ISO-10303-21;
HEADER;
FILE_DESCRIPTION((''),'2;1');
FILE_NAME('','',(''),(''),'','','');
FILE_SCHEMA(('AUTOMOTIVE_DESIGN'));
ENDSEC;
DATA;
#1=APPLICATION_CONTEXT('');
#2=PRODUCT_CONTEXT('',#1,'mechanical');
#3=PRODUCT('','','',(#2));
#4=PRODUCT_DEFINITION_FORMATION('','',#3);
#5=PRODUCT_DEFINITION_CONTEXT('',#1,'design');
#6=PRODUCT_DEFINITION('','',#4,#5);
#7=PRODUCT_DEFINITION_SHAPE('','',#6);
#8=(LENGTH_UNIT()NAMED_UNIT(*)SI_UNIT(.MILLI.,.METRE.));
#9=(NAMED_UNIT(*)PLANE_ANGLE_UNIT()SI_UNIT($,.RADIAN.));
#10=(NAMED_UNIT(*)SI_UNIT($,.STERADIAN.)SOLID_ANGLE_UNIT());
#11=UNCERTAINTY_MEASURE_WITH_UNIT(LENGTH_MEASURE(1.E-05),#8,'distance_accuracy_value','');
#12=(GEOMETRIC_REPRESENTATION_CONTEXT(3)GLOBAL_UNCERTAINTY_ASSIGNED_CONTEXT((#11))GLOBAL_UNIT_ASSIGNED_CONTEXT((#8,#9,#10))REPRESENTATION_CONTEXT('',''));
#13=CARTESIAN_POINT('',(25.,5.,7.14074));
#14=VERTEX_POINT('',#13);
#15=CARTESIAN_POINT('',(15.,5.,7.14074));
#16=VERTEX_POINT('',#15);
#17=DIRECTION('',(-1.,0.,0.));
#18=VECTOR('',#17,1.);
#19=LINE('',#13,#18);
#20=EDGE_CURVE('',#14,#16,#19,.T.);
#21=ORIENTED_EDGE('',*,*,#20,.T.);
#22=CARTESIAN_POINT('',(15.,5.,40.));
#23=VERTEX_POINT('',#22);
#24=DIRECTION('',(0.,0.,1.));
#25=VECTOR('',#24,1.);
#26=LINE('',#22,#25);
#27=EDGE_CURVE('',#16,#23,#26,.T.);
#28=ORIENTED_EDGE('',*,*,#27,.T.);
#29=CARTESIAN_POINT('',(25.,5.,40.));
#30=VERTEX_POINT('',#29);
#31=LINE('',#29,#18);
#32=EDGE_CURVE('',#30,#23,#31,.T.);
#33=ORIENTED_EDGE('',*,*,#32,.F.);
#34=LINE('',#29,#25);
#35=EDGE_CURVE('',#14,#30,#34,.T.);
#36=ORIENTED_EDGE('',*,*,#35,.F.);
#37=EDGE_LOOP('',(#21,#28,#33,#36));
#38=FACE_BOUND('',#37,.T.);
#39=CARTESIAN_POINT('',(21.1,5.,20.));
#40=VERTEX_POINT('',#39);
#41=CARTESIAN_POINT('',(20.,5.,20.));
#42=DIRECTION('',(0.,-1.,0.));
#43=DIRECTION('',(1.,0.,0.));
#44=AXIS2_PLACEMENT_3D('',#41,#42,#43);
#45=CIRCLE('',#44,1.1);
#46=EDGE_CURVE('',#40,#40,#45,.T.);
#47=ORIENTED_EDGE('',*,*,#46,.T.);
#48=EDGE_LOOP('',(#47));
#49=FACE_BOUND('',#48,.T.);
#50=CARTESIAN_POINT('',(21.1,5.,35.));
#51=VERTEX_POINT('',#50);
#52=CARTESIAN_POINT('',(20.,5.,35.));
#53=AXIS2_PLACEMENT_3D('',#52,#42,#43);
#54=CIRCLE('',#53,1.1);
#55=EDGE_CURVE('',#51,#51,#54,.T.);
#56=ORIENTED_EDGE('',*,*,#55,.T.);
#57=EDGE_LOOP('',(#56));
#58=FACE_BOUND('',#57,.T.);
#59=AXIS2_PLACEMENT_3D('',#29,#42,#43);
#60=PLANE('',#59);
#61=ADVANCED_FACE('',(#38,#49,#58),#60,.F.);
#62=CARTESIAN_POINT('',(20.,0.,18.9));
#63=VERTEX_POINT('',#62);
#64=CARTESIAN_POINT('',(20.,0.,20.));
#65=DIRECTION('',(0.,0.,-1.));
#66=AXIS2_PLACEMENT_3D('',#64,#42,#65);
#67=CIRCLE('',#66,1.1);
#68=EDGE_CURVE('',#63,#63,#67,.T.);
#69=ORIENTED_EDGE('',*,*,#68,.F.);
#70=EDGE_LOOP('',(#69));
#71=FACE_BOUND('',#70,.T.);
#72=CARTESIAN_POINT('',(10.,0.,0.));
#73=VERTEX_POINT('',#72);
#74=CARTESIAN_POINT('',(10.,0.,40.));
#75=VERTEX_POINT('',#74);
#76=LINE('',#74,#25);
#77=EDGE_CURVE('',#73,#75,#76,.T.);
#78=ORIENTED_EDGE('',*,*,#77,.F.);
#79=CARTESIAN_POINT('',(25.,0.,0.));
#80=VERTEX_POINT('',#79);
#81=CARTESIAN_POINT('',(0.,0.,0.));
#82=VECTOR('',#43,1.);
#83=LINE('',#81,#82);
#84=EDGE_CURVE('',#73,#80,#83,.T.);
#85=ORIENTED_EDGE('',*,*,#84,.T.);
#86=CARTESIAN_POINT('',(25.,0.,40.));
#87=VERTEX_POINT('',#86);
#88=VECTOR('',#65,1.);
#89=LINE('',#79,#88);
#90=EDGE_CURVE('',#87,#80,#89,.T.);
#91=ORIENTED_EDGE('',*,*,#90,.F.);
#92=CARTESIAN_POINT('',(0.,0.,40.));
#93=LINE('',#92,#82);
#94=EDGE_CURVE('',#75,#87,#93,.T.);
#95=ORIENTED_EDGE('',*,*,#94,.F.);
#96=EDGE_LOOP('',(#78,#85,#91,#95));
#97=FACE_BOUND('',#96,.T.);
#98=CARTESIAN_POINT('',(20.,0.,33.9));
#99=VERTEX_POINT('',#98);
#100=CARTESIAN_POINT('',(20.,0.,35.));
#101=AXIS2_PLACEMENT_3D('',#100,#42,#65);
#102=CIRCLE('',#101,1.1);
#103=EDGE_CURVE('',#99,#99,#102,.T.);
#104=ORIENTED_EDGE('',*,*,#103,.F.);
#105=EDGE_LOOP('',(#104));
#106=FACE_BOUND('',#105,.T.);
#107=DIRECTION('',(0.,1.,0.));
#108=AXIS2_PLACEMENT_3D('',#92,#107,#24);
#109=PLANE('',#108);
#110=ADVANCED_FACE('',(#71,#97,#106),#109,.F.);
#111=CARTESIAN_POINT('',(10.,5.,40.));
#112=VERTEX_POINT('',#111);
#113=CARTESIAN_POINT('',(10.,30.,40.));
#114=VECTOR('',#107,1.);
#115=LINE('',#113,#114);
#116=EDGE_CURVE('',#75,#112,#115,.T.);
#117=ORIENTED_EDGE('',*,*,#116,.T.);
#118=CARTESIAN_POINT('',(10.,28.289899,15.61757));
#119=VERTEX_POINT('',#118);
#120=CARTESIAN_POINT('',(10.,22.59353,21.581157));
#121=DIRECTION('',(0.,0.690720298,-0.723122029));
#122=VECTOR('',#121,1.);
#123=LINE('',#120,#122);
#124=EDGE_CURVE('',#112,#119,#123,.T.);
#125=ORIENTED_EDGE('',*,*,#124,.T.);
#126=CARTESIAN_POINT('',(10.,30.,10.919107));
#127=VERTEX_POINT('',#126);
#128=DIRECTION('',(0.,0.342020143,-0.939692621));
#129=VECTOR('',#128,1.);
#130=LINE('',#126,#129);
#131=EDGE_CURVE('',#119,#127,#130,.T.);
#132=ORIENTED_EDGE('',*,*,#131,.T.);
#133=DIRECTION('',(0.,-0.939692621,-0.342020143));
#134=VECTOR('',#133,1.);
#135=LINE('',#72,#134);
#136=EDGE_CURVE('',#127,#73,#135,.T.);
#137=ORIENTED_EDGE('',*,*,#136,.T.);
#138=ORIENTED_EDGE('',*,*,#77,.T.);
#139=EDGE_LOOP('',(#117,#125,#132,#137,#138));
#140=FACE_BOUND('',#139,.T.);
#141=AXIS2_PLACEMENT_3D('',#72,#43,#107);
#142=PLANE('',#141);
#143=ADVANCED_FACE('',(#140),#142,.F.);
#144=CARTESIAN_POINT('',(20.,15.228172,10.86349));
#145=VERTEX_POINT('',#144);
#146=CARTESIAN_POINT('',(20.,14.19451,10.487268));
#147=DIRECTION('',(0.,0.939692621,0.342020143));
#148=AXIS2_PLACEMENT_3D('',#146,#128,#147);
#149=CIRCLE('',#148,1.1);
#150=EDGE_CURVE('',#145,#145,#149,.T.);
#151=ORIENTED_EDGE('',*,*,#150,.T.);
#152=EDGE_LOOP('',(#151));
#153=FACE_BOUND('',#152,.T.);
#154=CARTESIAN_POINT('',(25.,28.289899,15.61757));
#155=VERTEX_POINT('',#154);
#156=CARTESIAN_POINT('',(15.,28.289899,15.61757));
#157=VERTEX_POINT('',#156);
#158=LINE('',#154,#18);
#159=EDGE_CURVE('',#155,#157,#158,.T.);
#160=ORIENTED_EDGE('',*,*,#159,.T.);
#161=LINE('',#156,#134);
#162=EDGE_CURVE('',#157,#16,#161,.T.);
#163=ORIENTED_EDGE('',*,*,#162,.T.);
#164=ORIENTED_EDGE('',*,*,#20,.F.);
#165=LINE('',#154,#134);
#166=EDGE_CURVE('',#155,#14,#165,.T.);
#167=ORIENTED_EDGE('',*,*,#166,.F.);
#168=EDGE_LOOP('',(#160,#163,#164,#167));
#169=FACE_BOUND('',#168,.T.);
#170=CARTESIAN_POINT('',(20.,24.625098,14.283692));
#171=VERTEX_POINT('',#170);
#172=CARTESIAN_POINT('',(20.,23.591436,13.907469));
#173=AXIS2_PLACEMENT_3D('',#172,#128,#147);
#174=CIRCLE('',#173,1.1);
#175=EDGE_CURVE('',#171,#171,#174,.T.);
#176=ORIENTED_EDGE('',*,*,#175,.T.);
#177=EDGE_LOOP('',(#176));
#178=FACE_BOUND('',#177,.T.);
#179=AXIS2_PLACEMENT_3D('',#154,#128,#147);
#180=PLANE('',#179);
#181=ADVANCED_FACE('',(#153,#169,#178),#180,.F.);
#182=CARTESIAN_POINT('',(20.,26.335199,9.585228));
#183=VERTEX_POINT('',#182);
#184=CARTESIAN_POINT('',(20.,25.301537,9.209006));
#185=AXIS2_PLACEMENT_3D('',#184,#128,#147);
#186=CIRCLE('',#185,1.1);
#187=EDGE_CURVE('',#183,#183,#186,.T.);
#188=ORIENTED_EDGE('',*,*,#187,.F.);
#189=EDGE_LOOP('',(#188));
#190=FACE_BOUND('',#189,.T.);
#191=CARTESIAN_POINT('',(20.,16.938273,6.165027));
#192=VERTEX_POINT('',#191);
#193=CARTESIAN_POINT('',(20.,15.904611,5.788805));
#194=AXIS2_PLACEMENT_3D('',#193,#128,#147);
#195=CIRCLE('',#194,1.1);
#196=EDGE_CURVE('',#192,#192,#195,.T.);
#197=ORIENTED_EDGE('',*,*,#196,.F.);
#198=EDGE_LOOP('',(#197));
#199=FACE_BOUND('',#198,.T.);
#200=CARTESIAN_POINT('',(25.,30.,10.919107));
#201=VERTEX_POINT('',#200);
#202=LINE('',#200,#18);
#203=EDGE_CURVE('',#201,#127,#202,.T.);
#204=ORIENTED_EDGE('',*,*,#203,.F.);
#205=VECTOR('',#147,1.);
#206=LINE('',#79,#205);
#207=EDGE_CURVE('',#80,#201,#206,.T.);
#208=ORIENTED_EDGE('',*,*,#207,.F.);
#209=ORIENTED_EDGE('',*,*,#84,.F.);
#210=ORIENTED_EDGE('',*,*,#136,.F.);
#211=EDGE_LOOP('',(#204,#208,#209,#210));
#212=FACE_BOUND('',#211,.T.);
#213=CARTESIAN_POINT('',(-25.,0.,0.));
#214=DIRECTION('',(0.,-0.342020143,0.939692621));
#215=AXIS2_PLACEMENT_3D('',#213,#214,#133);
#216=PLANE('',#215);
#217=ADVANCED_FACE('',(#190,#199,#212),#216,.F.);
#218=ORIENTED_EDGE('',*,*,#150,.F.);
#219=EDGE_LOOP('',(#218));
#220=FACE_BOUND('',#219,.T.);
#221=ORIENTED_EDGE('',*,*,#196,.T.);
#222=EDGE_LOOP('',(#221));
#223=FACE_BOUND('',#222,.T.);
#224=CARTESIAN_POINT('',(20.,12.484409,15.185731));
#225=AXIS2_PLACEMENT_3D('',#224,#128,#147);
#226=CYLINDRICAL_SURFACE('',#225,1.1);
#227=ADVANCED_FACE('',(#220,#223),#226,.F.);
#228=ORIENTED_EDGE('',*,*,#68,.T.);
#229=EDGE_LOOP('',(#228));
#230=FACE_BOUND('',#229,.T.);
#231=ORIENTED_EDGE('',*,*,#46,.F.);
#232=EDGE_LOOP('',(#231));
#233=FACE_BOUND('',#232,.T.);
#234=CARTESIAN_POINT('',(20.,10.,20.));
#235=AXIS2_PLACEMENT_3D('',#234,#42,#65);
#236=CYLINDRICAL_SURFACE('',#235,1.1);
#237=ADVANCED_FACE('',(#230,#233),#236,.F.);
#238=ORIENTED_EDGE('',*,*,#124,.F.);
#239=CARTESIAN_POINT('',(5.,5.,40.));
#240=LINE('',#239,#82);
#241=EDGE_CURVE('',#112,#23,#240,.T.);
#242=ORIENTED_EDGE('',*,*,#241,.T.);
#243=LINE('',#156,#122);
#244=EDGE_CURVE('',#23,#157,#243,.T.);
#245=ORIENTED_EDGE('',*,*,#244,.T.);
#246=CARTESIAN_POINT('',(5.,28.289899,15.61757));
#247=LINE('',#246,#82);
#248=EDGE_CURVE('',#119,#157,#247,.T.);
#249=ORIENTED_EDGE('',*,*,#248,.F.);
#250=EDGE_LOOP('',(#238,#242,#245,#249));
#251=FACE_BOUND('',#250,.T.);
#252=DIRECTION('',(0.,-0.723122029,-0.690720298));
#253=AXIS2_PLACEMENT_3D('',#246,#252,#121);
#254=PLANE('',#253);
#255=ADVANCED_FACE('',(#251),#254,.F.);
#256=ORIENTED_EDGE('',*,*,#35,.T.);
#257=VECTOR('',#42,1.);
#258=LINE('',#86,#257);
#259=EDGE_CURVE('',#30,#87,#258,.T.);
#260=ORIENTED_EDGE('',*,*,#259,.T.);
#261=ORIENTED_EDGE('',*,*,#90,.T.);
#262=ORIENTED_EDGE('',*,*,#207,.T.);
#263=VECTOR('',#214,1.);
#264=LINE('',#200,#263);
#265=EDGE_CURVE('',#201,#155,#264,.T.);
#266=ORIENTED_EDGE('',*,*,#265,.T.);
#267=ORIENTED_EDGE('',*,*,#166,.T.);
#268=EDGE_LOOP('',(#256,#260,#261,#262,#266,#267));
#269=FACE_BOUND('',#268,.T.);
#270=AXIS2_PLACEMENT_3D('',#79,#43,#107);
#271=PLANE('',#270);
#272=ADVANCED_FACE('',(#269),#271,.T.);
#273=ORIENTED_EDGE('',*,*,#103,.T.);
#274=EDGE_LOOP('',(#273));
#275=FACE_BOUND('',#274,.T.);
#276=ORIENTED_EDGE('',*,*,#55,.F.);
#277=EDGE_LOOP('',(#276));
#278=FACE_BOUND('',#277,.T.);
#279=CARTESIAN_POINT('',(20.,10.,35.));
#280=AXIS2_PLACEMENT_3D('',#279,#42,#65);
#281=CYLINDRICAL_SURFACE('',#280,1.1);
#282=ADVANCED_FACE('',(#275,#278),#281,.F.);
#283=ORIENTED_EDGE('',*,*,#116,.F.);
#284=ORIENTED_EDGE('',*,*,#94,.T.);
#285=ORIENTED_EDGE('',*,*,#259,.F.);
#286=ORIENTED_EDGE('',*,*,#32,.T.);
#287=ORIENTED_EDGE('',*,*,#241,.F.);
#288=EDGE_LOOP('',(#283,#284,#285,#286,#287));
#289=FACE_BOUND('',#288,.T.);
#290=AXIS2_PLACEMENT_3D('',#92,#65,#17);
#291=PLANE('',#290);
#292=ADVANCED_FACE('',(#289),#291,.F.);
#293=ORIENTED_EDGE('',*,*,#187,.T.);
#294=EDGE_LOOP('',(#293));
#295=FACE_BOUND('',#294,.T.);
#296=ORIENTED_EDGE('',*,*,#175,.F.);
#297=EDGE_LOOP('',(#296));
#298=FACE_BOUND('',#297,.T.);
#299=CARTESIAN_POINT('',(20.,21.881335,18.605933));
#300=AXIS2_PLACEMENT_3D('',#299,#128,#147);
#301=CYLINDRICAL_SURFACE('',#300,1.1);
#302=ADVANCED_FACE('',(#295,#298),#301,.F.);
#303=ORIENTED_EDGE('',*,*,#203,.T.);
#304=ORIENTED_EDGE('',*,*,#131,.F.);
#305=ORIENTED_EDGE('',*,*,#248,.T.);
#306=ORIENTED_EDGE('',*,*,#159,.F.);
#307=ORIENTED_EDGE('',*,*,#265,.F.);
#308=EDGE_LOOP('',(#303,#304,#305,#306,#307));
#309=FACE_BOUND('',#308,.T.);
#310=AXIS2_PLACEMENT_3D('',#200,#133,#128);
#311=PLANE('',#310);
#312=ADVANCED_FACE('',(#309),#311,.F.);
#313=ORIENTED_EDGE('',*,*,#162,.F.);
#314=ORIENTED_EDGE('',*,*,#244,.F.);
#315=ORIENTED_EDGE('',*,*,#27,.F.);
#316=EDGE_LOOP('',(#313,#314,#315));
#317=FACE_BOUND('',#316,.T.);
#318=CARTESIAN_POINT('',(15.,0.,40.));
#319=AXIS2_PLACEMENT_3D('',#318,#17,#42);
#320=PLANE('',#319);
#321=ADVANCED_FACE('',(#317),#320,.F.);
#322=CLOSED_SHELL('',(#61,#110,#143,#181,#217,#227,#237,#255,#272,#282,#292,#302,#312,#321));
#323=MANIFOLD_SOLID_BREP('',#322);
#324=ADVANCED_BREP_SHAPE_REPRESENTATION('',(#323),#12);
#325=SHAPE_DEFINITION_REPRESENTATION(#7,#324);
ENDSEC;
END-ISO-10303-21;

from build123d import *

# Parameters (mm, degrees)
SKETCH1_W           = 15
SKETCH1_H           = 30
BOSS_EXTRUDE1_DEPTH = 40
CUT_EXTRUDE1_DEPTH  = 40
BOSS_EXTRUDE2_DEPTH = 10
CUT_EXTRUDE2_DEPTH  = 10
CUT_EXTRUDE3_DEPTH  = 10
SKETCH7_R           = 1.1
CUT_EXTRUDE4_DEPTH  = 10
SKETCH8_R           = 1.1
CUT_EXTRUDE5_DEPTH  = 10


with BuildPart() as part:
    # Sketch1 → Boss-Extrude1 (new body)
    with BuildSketch(Plane.XY):
        with Locations((7.5, 15)):
            Rectangle(SKETCH1_W, SKETCH1_H)
    extrude(amount=BOSS_EXTRUDE1_DEPTH)

    # Sketch2 → Cut-Extrude1 (cut)
    with BuildSketch(Plane(origin=(15, 0, 0), x_dir=(0, 0, -1), z_dir=(1, 0, 0))):
        Polygon((0, 0), (-10.919107028, 30), (0, 30), align=None)
    extrude(amount=-CUT_EXTRUDE1_DEPTH, mode=Mode.SUBTRACT)

    # Sketch3 → Boss-Extrude2 (add)
    with BuildSketch(Plane(origin=(15, 0, 0), x_dir=(0, 0, -1), z_dir=(1, 0, 0))):
        Polygon((-10.919107028, 30), (-15.617570132, 28.289899283), (-7.140740034, 5), (-40, 5), (-40, 0), (0, 0), align=None)
    extrude(amount=BOSS_EXTRUDE2_DEPTH)

    # Sketch5 → Cut-Extrude2 (cut)
    with BuildSketch(Plane.ZY):
        Polygon((10.919107028, 30), (40, 30), (40, 0), (0, 0), align=None)
    extrude(amount=-CUT_EXTRUDE2_DEPTH, mode=Mode.SUBTRACT)

    # Sketch6 → Cut-Extrude3 (cut)
    with BuildSketch(Plane(origin=(15, 0, 0), x_dir=(0, 0, -1), z_dir=(1, 0, 0))):
        Polygon((-15.617570132, 28.289899283), (-40, 5), (-40, 30), (-10.919107028, 30), align=None)
    extrude(amount=-CUT_EXTRUDE3_DEPTH, mode=Mode.SUBTRACT)

    # Sketch7 → Cut-Extrude4 (cut)
    with BuildSketch(Plane.XZ):
        with Locations(Location((20, 35, 0), (0, 0, 270))):
            Circle(SKETCH7_R)
        with Locations(Location((20, 20, 0), (0, 0, 270))):
            Circle(SKETCH7_R)
    extrude(amount=-CUT_EXTRUDE4_DEPTH, mode=Mode.SUBTRACT)

    # Sketch8 → Cut-Extrude5 (cut)
    with BuildSketch(Plane(origin=(0, 0, 0), x_dir=(-1, 0, 0), z_dir=(0, 0.342020143325663, -0.9396926207859105))):
        with Locations(Location((-20, 26.925333174, 0), (0, 0, 90))):
            Circle(SKETCH8_R)
        with Locations(Location((-20, 16.925333174, 0), (0, 0, 90))):
            Circle(SKETCH8_R)
    extrude(amount=-CUT_EXTRUDE5_DEPTH, mode=Mode.SUBTRACT)


solid = part.part
